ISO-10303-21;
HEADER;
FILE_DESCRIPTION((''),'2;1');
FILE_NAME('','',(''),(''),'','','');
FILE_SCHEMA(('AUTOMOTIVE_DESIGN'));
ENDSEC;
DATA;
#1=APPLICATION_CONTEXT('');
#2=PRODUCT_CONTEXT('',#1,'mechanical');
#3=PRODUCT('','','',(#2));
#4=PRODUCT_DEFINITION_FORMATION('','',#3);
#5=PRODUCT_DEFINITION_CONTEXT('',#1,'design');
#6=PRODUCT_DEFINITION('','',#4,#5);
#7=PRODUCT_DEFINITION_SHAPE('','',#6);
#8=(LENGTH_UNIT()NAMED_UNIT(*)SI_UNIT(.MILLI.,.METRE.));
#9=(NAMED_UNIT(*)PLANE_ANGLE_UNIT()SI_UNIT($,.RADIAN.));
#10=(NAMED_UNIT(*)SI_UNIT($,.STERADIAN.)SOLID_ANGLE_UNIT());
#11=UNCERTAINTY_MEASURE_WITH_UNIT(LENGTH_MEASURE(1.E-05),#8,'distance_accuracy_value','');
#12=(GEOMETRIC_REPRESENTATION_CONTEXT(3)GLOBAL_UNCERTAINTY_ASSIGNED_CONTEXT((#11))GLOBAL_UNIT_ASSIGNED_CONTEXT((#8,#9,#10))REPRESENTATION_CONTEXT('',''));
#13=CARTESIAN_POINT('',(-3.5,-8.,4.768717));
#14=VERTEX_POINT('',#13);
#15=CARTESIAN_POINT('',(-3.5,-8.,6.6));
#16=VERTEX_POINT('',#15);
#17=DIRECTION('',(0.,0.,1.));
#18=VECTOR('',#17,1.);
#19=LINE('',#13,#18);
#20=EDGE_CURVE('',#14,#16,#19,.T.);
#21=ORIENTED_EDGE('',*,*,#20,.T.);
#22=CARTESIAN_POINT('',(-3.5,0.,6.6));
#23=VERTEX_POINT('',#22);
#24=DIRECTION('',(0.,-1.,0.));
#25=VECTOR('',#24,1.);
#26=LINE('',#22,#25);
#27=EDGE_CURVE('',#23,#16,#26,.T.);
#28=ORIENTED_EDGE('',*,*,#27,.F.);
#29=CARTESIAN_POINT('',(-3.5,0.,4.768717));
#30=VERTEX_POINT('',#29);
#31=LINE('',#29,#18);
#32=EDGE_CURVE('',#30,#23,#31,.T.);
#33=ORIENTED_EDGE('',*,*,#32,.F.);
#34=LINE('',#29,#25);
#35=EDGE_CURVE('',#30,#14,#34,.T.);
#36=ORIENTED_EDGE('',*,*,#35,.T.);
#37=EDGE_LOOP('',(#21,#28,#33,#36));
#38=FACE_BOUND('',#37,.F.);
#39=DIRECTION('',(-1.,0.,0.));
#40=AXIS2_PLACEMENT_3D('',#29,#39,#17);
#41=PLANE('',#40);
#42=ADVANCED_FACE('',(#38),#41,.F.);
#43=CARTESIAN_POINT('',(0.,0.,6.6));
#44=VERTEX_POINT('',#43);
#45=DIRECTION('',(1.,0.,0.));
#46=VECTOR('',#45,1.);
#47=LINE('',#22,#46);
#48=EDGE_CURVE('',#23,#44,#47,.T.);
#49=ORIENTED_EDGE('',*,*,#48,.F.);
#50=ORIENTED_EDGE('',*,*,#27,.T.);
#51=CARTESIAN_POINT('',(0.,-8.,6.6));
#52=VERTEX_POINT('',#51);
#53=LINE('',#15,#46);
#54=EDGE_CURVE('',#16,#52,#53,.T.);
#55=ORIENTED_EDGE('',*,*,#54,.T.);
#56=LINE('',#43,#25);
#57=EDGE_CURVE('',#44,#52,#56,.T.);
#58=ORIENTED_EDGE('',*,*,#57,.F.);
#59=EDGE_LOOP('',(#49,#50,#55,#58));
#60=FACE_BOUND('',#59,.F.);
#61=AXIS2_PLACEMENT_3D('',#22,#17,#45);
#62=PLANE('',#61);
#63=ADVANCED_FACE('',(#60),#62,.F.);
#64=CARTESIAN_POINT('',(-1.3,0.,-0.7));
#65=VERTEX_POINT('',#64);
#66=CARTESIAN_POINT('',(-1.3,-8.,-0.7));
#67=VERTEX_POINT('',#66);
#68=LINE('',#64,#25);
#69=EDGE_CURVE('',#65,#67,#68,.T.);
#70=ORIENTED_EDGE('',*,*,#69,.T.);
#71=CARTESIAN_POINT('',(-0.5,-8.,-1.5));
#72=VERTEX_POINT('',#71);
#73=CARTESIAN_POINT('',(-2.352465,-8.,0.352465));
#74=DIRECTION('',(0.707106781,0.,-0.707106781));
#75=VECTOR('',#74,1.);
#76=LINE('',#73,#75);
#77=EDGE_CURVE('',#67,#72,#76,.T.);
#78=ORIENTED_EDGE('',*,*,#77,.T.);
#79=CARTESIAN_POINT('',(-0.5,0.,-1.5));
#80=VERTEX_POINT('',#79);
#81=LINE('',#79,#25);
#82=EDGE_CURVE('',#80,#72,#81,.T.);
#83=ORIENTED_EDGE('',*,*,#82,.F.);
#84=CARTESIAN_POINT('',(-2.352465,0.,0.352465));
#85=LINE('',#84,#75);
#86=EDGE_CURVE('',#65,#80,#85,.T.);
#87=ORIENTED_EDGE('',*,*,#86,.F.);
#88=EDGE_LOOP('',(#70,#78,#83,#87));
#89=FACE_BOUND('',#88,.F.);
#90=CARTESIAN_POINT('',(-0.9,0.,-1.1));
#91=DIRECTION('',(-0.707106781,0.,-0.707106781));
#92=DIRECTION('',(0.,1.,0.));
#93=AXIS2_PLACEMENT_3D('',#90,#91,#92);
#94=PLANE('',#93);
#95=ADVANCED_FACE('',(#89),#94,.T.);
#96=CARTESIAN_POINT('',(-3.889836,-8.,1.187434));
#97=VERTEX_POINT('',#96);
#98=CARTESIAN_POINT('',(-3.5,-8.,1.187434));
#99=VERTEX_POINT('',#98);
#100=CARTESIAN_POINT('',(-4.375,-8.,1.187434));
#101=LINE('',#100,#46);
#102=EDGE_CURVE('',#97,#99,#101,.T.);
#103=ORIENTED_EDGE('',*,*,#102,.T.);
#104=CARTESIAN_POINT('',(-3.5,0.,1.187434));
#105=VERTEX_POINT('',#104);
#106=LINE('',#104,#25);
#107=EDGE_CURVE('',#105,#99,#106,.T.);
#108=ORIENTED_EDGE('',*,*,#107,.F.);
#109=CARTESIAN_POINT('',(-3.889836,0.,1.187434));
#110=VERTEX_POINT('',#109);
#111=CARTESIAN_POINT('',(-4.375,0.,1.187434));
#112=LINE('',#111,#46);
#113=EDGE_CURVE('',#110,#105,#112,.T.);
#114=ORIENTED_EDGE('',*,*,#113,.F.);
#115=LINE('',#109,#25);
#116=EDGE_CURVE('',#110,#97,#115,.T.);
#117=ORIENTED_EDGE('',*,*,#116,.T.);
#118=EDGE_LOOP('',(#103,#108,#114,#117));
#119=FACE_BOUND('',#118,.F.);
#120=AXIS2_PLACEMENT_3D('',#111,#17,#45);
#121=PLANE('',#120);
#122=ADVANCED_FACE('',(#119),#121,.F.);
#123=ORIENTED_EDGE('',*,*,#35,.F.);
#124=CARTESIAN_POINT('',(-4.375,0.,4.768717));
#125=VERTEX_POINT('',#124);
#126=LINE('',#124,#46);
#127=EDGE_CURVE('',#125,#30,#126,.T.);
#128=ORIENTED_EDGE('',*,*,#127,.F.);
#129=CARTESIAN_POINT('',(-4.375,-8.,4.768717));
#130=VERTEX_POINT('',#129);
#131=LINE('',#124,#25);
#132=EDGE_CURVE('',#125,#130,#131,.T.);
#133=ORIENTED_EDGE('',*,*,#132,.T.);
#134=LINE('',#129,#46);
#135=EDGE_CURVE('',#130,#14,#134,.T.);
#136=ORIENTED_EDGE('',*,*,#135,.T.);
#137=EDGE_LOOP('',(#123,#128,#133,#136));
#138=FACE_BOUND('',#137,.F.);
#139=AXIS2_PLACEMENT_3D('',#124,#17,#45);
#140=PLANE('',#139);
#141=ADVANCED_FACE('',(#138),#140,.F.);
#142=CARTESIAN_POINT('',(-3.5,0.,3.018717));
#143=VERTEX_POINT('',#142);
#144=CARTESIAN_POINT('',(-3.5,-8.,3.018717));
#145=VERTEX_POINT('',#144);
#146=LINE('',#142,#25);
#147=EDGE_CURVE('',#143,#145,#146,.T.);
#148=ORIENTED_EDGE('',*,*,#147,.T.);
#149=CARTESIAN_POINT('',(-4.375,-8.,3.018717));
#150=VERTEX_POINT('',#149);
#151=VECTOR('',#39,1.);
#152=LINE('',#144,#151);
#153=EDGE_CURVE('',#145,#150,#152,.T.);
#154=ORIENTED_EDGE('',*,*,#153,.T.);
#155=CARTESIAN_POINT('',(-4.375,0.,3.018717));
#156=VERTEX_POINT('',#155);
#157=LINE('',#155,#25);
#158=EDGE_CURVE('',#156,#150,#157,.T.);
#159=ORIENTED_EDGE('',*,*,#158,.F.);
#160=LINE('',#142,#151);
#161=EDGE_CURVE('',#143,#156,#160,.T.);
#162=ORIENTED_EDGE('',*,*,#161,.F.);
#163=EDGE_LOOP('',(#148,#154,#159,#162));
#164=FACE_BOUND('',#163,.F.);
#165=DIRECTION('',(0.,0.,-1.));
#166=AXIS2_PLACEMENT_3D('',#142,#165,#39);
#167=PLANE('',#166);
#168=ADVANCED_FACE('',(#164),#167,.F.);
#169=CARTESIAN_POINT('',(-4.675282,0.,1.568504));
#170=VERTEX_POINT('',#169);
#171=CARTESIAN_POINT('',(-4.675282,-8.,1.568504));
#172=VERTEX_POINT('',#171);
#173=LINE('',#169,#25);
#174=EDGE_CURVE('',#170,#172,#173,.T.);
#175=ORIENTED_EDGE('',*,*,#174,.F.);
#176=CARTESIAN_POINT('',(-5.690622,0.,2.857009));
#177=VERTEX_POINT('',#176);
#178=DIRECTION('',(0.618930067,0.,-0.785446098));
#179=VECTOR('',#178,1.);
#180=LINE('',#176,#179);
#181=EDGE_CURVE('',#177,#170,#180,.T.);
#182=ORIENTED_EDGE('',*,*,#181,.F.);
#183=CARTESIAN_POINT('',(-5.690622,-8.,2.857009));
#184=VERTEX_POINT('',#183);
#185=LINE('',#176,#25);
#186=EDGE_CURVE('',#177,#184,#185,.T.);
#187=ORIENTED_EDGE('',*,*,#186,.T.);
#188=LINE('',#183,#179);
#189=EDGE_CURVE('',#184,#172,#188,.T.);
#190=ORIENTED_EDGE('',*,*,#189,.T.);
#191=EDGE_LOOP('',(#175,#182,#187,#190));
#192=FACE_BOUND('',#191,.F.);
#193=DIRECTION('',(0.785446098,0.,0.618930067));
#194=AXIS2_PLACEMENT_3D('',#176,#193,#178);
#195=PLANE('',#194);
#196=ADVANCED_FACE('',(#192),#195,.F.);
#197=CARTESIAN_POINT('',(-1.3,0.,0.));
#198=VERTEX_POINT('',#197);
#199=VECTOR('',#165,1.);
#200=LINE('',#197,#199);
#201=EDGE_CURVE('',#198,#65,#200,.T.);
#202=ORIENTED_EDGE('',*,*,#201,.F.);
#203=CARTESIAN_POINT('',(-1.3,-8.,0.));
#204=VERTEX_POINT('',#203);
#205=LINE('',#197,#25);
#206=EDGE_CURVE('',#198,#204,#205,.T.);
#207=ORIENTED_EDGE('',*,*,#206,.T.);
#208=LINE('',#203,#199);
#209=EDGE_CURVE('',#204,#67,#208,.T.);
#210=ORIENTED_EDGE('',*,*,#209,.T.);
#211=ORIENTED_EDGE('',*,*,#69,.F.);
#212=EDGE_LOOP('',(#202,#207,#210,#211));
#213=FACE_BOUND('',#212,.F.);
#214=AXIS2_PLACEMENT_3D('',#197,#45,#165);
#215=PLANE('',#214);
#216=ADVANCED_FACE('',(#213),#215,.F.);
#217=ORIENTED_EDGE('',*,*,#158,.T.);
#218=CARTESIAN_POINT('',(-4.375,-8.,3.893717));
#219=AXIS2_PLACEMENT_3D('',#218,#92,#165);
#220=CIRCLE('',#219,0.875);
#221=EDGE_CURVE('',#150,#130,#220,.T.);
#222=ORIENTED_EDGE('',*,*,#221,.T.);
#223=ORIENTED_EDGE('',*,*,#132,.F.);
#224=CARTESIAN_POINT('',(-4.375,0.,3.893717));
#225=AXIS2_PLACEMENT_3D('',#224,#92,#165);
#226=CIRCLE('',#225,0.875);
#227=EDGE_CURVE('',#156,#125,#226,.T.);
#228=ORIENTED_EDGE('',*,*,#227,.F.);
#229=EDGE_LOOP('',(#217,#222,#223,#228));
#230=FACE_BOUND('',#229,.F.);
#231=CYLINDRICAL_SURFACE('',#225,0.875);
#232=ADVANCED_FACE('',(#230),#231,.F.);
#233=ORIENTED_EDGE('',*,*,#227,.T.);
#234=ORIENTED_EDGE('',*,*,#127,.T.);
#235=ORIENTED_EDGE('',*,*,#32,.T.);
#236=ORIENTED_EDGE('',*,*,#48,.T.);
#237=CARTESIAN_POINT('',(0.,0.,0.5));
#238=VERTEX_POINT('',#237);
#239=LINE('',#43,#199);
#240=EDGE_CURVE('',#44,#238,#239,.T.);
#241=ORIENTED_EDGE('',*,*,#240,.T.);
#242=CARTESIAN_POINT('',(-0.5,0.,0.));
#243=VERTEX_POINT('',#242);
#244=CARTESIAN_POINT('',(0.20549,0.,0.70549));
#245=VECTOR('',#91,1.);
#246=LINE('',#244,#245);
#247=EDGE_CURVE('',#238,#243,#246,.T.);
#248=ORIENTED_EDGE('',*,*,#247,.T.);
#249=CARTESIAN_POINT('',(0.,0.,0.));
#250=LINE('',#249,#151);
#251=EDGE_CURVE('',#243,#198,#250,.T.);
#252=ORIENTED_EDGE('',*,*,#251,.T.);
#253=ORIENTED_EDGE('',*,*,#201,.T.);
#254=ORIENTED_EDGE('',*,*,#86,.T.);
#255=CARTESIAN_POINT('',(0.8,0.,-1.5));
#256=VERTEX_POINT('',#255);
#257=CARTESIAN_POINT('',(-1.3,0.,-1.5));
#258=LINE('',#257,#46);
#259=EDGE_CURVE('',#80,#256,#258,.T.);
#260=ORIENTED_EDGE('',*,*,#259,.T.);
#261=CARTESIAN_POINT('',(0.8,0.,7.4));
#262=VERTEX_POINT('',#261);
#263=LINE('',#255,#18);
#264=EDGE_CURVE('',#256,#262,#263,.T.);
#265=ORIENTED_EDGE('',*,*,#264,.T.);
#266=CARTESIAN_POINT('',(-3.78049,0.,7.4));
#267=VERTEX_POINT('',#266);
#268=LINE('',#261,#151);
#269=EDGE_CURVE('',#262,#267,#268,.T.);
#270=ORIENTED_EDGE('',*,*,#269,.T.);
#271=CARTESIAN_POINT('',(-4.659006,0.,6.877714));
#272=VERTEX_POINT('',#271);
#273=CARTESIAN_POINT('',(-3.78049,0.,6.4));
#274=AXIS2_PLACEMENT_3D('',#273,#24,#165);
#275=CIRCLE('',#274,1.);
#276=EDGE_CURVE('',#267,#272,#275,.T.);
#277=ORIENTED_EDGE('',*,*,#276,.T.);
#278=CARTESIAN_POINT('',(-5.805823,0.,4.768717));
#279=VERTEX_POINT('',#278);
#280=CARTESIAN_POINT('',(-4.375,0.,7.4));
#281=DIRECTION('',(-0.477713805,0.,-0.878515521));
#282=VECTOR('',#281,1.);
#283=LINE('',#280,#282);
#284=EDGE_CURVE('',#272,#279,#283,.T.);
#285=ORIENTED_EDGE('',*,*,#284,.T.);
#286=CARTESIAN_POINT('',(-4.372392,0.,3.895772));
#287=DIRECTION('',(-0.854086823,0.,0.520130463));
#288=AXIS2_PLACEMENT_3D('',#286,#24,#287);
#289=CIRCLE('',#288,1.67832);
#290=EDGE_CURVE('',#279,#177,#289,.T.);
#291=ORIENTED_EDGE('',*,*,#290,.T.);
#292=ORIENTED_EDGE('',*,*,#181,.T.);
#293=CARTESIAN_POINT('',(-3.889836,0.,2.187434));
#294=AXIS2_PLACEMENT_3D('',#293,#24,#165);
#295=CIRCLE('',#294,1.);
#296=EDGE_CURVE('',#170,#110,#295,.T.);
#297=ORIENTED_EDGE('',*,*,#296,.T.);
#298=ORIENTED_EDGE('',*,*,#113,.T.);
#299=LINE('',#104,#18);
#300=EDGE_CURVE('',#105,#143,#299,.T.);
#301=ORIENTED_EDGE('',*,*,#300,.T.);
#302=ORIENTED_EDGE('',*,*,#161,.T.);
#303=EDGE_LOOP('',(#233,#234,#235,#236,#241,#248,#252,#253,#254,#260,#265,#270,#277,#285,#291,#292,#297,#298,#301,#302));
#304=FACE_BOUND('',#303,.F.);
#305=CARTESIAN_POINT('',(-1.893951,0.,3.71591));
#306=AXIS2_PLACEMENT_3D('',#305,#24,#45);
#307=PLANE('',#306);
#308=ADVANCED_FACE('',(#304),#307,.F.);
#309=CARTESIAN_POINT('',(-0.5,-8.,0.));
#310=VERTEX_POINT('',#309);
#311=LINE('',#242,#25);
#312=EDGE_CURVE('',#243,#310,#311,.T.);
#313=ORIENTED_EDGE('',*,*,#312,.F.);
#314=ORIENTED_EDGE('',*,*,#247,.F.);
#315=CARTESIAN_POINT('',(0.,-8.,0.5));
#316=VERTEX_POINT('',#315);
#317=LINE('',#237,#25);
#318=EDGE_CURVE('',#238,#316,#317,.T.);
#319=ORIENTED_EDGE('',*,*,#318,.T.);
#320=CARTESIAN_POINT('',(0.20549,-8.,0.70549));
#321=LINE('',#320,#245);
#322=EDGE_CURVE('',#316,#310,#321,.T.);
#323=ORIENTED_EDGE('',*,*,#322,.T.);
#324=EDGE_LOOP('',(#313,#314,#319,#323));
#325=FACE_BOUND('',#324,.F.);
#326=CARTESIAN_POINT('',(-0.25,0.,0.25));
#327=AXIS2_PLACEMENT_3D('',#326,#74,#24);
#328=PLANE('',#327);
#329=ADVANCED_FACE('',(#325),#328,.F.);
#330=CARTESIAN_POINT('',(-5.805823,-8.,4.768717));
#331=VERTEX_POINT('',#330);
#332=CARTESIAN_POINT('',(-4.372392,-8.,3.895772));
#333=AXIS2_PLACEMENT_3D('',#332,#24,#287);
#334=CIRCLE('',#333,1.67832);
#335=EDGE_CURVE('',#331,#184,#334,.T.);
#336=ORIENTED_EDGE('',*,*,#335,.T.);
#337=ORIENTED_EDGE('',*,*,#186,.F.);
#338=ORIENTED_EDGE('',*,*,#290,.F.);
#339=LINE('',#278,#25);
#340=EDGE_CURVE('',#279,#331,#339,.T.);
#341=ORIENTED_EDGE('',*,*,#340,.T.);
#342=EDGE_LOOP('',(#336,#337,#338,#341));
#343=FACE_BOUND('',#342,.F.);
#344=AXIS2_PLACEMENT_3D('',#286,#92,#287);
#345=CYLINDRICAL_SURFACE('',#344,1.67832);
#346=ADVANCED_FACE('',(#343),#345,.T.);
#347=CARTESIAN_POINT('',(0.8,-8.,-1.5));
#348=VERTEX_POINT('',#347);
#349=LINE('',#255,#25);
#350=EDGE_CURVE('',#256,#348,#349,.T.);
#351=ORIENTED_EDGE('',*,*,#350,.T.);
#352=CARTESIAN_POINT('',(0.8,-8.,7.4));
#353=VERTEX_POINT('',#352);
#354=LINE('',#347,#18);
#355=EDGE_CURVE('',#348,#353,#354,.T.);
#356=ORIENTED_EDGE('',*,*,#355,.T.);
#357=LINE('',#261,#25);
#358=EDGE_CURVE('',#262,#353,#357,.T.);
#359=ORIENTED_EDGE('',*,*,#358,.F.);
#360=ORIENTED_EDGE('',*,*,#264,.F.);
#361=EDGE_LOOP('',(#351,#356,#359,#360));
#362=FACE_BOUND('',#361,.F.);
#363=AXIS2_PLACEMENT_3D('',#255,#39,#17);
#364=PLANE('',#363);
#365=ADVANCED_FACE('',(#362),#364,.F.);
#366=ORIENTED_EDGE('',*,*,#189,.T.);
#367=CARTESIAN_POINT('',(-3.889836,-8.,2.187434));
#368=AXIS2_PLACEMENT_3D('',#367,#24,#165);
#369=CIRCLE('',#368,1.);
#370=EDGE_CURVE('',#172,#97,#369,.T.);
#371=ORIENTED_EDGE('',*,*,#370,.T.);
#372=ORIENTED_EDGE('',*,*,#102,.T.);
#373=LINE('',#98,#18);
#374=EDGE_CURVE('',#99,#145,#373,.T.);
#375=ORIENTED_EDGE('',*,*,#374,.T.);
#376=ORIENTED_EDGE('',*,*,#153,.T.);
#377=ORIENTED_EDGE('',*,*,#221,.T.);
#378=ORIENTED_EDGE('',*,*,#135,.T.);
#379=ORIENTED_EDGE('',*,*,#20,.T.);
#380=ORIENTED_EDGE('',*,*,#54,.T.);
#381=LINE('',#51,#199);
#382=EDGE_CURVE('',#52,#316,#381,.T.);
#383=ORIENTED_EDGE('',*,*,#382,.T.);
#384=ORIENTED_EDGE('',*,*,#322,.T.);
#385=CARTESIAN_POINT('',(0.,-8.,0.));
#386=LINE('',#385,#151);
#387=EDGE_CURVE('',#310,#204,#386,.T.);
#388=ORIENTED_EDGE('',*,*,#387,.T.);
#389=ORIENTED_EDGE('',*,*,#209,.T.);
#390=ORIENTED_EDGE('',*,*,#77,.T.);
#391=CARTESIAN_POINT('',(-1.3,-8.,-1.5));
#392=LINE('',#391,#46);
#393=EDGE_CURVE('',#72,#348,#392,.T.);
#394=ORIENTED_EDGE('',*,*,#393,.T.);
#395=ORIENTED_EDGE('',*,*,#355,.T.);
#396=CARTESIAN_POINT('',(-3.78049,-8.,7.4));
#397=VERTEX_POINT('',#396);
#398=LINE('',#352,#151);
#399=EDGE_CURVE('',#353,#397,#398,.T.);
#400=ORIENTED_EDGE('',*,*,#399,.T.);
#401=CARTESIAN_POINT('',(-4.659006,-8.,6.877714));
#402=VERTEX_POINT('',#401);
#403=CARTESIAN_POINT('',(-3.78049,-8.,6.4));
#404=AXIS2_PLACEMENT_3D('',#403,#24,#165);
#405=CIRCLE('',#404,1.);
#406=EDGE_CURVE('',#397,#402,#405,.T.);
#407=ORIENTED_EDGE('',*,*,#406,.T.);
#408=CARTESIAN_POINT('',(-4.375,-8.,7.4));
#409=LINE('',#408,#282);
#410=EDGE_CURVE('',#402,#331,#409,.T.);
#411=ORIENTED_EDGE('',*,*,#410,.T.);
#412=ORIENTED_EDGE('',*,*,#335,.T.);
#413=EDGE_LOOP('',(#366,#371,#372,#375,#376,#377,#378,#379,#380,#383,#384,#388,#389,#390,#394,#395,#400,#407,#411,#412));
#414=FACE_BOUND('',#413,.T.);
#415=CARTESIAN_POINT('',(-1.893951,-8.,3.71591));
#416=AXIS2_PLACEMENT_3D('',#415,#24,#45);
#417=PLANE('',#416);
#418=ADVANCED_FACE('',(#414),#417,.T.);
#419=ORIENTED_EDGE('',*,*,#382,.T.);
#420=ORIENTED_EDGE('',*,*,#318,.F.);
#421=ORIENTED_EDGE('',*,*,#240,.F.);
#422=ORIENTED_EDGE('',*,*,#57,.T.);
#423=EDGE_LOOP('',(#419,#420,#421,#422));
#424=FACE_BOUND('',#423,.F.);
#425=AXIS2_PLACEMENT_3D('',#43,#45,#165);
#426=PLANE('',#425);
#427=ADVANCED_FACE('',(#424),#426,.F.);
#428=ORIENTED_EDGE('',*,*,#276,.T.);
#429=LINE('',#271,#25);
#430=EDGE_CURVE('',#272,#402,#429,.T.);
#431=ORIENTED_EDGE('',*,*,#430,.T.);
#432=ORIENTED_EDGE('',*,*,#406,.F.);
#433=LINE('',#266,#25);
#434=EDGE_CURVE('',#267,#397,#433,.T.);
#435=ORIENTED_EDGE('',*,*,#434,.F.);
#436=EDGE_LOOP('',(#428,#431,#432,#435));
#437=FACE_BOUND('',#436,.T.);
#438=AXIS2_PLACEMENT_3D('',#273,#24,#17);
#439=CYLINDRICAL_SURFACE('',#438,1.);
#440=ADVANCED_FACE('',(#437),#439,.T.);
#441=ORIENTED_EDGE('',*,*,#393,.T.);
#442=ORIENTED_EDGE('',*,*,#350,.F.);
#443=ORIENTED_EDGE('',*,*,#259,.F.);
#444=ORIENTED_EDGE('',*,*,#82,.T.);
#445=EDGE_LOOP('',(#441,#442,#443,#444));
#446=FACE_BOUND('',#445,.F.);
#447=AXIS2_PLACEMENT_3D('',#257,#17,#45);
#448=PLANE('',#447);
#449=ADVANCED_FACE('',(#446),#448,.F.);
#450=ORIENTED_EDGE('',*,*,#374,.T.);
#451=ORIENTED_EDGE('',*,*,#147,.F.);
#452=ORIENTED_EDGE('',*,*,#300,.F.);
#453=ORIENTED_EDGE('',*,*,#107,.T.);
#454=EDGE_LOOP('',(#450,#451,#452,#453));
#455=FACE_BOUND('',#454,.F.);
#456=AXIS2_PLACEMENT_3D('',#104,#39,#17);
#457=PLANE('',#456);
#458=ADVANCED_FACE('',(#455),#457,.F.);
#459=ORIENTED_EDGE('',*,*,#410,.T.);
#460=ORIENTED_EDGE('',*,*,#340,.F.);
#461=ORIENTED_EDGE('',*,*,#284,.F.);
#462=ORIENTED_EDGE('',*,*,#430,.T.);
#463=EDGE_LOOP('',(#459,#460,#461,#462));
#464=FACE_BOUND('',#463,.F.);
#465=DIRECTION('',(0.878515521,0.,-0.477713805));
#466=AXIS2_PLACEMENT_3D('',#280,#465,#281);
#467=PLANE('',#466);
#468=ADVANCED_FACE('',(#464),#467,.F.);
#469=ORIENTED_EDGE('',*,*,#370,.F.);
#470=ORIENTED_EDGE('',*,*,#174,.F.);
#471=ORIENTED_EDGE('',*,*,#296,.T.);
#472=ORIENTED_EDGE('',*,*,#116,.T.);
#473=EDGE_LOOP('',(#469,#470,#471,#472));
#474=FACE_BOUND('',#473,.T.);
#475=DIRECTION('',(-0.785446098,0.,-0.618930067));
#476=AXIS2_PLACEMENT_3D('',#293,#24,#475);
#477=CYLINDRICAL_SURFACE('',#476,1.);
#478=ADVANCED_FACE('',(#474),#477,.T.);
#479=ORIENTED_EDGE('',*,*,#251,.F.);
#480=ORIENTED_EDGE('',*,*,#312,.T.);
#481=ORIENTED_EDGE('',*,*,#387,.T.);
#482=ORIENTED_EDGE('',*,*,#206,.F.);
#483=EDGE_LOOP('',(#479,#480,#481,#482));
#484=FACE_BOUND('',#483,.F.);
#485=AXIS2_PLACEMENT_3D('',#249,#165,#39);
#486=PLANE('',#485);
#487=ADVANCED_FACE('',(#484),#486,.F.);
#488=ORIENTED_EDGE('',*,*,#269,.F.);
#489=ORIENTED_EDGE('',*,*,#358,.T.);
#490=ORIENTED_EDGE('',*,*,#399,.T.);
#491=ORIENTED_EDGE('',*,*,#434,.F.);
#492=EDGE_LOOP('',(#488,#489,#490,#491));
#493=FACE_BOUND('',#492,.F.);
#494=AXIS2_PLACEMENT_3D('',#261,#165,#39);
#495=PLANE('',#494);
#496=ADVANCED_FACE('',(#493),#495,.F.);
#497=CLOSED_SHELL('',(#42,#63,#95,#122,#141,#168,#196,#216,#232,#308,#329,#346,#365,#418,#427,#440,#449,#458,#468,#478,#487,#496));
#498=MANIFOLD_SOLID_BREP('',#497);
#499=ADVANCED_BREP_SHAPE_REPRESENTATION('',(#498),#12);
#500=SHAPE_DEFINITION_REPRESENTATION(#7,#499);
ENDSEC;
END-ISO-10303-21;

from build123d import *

# Parameters (mm, degrees)
F1_DEPTH = 8
F2_SIZE  = 0.5
F3_SIZE  = 0.8
F4_R     = 1


with BuildPart() as f1:
    # F0 (on Front) → F1 (new body)
    with BuildSketch(Plane.XZ):
        with BuildLine():
            Line((0, 6.6), (0, 0))
            Line((0, 0), (-1.3, 0))
            Line((-1.3, 0), (-1.3, -1.5))
            Line((-1.3, -1.5), (0.8, -1.5))
            Line((0.8, -1.5), (0.8, 0))
            Line((0.8, 0), (0.8, 7.4))
            Line((0.8, 7.4), (-3.5, 7.4))
            Line((-3.5, 7.4), (-4.375, 7.4))
            Line((-4.375, 7.4), (-5.805823, 4.768717))
            ThreePointArc((-5.805823, 4.768717), (-6.047673, 3.794818), (-5.690622, 2.857009))
            Line((-5.690622, 2.857009), (-4.375, 1.187434))
            Line((-4.375, 1.187434), (-3.5, 1.187434))
            Line((-3.5, 1.187434), (-3.5, 3.018717))
            Line((-3.5, 3.018717), (-4.375, 3.018717))
            ThreePointArc((-4.375, 3.018717), (-5.25, 3.893717), (-4.375, 4.768717))
            Line((-4.375, 4.768717), (-3.5, 4.768717))
            Line((-3.5, 4.768717), (-3.5, 6.6))
            Line((-3.5, 6.6), (0, 6.6))
        make_face()
    extrude(amount=F1_DEPTH)

    # F2
    f2_edges = [f1.edges().sort_by_distance(p)[0] for p in [
        (0, -4, 0),
    ]]
    chamfer(f2_edges, length=F2_SIZE)

    # F3
    f3_edges = [f1.edges().sort_by_distance(p)[0] for p in [
        (-1.3, -4, -1.5),
    ]]
    chamfer(f3_edges, length=F3_SIZE)

    # F4
    f4_edges = [f1.edges().sort_by_distance(p)[0] for p in [
        (-4.375, -4, 1.187434),
        (-4.375, -4, 7.4),
    ]]
    fillet(f4_edges, radius=F4_R)


solid = f1.part
